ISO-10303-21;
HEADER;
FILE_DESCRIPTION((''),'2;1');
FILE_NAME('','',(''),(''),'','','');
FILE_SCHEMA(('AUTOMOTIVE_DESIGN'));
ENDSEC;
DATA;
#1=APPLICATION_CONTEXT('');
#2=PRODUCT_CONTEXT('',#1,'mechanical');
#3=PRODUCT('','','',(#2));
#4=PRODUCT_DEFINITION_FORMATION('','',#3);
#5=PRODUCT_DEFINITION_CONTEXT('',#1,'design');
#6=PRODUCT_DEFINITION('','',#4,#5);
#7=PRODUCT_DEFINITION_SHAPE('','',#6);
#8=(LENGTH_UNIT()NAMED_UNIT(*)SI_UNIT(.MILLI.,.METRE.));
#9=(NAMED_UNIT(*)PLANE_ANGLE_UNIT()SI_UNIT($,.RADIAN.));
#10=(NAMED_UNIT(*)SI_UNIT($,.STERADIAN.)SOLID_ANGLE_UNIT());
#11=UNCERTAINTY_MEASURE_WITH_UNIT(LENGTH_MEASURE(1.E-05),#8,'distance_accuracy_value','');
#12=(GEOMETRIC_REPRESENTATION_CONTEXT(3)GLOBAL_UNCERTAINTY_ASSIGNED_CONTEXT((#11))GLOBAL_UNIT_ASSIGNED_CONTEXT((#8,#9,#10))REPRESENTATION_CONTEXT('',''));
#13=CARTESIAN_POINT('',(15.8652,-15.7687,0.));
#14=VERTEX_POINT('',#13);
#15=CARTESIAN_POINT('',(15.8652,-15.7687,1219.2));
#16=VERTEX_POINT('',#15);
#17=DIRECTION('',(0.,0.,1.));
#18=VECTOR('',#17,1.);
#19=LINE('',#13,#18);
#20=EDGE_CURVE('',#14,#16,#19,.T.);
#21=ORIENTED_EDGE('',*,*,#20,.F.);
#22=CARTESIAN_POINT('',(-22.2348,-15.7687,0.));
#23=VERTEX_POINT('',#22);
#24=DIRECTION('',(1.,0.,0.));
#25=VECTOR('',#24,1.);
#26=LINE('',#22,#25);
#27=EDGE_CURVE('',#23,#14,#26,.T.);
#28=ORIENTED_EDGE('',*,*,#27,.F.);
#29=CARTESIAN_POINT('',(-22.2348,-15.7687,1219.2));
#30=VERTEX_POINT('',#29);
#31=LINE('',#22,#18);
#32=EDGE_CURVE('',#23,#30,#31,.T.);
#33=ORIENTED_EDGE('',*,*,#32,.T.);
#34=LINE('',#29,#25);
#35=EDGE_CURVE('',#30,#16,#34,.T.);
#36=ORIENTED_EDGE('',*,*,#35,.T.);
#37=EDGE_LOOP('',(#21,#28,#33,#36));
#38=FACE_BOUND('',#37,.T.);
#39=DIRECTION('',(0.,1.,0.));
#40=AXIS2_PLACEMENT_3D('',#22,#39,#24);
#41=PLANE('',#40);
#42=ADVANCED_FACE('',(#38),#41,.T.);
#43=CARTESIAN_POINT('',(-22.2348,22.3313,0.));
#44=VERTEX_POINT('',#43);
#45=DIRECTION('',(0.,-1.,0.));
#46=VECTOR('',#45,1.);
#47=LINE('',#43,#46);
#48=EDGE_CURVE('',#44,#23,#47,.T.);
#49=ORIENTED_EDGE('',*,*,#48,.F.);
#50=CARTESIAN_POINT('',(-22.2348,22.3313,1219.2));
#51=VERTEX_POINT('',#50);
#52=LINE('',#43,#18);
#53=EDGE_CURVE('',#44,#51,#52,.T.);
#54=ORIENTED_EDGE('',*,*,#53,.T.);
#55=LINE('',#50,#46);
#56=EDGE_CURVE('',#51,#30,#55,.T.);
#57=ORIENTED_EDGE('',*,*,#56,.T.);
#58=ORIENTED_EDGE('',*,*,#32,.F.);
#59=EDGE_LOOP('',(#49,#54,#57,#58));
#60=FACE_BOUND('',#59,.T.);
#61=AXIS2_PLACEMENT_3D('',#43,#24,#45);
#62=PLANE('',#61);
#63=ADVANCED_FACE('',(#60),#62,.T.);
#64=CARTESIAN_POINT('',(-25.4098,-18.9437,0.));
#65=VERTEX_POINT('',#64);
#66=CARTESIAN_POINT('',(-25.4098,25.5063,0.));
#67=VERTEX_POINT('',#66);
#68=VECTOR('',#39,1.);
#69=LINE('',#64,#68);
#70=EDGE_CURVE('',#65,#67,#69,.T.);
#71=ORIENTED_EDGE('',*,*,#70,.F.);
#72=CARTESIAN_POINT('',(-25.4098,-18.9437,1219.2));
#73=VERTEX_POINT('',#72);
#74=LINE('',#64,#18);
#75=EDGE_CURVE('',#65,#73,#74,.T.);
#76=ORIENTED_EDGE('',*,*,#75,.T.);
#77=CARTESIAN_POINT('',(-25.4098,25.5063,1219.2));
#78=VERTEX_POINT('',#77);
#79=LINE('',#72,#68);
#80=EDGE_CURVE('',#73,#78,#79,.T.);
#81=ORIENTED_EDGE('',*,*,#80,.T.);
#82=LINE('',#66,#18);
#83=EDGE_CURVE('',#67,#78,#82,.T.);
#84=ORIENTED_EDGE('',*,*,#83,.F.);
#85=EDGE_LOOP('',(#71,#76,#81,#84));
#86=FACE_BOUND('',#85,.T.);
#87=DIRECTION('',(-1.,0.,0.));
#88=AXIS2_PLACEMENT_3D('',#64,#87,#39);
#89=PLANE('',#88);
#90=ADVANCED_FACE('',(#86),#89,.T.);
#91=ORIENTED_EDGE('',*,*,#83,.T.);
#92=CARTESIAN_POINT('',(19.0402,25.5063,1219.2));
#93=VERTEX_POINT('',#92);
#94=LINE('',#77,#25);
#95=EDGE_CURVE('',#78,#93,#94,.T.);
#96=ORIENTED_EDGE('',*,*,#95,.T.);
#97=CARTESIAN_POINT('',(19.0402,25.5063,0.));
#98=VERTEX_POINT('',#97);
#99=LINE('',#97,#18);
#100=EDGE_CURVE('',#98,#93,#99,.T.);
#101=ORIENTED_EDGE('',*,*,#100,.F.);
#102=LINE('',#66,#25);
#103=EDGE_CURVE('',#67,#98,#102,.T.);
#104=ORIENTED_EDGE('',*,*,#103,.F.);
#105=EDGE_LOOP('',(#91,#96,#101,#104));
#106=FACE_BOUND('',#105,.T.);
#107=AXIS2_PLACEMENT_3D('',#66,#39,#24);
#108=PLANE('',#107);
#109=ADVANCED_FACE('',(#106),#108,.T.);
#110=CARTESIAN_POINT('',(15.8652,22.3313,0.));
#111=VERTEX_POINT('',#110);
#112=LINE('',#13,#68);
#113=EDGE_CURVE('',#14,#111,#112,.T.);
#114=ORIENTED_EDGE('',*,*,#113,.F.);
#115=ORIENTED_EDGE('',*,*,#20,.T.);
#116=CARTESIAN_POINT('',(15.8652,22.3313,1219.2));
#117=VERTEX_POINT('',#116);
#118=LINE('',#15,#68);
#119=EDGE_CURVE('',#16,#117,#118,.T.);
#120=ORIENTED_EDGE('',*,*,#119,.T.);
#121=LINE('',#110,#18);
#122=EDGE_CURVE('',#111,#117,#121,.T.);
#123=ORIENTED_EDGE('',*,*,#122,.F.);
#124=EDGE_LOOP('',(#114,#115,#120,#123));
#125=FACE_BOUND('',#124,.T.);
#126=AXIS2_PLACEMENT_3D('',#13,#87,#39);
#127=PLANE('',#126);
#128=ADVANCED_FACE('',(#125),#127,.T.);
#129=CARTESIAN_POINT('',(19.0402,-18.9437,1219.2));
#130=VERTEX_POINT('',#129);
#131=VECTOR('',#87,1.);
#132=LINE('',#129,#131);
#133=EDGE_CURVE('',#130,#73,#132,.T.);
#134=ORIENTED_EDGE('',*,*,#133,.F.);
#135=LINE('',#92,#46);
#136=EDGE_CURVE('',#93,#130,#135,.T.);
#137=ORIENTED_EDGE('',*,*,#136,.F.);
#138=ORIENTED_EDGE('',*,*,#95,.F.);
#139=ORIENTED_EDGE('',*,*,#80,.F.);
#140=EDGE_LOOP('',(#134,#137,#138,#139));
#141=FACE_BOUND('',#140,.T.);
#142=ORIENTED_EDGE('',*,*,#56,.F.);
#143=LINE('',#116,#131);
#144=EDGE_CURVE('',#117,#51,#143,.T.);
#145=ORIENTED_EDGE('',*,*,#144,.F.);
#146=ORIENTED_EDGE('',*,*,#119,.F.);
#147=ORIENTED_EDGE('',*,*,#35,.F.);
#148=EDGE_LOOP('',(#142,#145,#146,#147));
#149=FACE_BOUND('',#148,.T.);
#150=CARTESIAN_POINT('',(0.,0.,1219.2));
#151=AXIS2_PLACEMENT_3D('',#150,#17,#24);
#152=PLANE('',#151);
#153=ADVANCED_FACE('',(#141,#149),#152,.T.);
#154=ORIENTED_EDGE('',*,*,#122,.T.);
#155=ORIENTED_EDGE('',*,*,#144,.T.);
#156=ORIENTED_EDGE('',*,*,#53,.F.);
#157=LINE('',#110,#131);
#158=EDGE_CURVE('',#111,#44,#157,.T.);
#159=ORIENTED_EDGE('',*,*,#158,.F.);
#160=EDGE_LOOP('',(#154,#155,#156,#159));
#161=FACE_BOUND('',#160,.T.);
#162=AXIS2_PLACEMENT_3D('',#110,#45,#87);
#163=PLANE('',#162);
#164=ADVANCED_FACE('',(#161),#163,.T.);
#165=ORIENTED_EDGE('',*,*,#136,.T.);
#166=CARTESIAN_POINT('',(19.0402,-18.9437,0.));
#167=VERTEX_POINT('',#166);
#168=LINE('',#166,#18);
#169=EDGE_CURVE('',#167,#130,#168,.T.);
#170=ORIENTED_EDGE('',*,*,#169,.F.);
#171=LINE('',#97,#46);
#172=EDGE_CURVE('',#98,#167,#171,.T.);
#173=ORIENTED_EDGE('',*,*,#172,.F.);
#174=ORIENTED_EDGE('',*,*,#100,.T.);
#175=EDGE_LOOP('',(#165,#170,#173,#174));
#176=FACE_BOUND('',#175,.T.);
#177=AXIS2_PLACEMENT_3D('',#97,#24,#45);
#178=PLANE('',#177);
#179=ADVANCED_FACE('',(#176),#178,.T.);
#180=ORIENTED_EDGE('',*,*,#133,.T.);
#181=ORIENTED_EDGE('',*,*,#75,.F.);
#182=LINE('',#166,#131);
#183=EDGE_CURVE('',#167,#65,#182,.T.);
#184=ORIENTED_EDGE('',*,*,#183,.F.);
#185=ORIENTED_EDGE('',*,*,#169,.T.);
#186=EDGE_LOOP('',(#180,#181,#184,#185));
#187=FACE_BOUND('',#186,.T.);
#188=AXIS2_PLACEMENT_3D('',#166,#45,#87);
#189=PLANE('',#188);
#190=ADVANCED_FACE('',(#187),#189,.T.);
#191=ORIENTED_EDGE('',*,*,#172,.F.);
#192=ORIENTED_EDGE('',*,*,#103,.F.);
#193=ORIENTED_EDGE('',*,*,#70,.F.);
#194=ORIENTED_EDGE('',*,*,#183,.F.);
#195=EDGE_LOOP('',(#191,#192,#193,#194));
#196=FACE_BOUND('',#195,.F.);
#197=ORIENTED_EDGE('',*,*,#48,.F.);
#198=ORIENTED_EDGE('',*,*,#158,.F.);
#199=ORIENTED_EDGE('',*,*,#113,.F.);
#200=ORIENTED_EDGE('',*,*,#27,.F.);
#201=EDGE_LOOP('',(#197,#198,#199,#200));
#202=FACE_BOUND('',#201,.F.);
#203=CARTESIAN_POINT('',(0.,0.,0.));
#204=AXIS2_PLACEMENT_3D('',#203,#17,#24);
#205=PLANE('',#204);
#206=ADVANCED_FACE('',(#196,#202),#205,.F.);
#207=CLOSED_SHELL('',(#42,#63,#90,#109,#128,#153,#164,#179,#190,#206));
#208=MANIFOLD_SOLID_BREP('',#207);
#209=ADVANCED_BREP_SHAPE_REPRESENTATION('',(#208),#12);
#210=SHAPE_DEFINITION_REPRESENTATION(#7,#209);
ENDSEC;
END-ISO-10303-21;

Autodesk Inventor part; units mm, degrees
ref_plane "YZ Plane" through (0, 0, 0) normal (1, 0, 0) x (0, 1, 0)
ref_plane "XZ Plane" through (0, 0, 0) normal (0, 1, 0) x (-1, 0, 0)
ref_plane "XY Plane" through (0, 0, 0) normal (0, 0, 1) x (1, 0, 0)
sketch "Sketch1" plane through (0, 0, 0) normal (0, 0, 1) x (1, 0, 0)
  line L0 (-25.4098, 25.5063) -> (19.0402, 25.5063)
  line L1 (19.0402, 25.5063) -> (19.0402, -18.9437)
  line L2 (19.0402, -18.9437) -> (-25.4098, -18.9437)
  line L3 (-25.4098, -18.9437) -> (-25.4098, 25.5063)
  line L4 (15.8652, 22.3313) -> (-22.2348, 22.3313)
  line L5 (-22.2348, 22.3313) -> (-22.2348, -15.7687)
  line L6 (-22.2348, -15.7687) -> (15.8652, -15.7687)
  line L7 (15.8652, -15.7687) -> (15.8652, 22.3313)
  point P0 (0, 0)
  dimension "d0" = 44.45
  dimension "d1" = 44.45
  dimension "d2" = 3.175
extrude "Extrusion1" add sketch "Sketch1" along normal blind 1219.2
properties part number "GE-11041-03"
